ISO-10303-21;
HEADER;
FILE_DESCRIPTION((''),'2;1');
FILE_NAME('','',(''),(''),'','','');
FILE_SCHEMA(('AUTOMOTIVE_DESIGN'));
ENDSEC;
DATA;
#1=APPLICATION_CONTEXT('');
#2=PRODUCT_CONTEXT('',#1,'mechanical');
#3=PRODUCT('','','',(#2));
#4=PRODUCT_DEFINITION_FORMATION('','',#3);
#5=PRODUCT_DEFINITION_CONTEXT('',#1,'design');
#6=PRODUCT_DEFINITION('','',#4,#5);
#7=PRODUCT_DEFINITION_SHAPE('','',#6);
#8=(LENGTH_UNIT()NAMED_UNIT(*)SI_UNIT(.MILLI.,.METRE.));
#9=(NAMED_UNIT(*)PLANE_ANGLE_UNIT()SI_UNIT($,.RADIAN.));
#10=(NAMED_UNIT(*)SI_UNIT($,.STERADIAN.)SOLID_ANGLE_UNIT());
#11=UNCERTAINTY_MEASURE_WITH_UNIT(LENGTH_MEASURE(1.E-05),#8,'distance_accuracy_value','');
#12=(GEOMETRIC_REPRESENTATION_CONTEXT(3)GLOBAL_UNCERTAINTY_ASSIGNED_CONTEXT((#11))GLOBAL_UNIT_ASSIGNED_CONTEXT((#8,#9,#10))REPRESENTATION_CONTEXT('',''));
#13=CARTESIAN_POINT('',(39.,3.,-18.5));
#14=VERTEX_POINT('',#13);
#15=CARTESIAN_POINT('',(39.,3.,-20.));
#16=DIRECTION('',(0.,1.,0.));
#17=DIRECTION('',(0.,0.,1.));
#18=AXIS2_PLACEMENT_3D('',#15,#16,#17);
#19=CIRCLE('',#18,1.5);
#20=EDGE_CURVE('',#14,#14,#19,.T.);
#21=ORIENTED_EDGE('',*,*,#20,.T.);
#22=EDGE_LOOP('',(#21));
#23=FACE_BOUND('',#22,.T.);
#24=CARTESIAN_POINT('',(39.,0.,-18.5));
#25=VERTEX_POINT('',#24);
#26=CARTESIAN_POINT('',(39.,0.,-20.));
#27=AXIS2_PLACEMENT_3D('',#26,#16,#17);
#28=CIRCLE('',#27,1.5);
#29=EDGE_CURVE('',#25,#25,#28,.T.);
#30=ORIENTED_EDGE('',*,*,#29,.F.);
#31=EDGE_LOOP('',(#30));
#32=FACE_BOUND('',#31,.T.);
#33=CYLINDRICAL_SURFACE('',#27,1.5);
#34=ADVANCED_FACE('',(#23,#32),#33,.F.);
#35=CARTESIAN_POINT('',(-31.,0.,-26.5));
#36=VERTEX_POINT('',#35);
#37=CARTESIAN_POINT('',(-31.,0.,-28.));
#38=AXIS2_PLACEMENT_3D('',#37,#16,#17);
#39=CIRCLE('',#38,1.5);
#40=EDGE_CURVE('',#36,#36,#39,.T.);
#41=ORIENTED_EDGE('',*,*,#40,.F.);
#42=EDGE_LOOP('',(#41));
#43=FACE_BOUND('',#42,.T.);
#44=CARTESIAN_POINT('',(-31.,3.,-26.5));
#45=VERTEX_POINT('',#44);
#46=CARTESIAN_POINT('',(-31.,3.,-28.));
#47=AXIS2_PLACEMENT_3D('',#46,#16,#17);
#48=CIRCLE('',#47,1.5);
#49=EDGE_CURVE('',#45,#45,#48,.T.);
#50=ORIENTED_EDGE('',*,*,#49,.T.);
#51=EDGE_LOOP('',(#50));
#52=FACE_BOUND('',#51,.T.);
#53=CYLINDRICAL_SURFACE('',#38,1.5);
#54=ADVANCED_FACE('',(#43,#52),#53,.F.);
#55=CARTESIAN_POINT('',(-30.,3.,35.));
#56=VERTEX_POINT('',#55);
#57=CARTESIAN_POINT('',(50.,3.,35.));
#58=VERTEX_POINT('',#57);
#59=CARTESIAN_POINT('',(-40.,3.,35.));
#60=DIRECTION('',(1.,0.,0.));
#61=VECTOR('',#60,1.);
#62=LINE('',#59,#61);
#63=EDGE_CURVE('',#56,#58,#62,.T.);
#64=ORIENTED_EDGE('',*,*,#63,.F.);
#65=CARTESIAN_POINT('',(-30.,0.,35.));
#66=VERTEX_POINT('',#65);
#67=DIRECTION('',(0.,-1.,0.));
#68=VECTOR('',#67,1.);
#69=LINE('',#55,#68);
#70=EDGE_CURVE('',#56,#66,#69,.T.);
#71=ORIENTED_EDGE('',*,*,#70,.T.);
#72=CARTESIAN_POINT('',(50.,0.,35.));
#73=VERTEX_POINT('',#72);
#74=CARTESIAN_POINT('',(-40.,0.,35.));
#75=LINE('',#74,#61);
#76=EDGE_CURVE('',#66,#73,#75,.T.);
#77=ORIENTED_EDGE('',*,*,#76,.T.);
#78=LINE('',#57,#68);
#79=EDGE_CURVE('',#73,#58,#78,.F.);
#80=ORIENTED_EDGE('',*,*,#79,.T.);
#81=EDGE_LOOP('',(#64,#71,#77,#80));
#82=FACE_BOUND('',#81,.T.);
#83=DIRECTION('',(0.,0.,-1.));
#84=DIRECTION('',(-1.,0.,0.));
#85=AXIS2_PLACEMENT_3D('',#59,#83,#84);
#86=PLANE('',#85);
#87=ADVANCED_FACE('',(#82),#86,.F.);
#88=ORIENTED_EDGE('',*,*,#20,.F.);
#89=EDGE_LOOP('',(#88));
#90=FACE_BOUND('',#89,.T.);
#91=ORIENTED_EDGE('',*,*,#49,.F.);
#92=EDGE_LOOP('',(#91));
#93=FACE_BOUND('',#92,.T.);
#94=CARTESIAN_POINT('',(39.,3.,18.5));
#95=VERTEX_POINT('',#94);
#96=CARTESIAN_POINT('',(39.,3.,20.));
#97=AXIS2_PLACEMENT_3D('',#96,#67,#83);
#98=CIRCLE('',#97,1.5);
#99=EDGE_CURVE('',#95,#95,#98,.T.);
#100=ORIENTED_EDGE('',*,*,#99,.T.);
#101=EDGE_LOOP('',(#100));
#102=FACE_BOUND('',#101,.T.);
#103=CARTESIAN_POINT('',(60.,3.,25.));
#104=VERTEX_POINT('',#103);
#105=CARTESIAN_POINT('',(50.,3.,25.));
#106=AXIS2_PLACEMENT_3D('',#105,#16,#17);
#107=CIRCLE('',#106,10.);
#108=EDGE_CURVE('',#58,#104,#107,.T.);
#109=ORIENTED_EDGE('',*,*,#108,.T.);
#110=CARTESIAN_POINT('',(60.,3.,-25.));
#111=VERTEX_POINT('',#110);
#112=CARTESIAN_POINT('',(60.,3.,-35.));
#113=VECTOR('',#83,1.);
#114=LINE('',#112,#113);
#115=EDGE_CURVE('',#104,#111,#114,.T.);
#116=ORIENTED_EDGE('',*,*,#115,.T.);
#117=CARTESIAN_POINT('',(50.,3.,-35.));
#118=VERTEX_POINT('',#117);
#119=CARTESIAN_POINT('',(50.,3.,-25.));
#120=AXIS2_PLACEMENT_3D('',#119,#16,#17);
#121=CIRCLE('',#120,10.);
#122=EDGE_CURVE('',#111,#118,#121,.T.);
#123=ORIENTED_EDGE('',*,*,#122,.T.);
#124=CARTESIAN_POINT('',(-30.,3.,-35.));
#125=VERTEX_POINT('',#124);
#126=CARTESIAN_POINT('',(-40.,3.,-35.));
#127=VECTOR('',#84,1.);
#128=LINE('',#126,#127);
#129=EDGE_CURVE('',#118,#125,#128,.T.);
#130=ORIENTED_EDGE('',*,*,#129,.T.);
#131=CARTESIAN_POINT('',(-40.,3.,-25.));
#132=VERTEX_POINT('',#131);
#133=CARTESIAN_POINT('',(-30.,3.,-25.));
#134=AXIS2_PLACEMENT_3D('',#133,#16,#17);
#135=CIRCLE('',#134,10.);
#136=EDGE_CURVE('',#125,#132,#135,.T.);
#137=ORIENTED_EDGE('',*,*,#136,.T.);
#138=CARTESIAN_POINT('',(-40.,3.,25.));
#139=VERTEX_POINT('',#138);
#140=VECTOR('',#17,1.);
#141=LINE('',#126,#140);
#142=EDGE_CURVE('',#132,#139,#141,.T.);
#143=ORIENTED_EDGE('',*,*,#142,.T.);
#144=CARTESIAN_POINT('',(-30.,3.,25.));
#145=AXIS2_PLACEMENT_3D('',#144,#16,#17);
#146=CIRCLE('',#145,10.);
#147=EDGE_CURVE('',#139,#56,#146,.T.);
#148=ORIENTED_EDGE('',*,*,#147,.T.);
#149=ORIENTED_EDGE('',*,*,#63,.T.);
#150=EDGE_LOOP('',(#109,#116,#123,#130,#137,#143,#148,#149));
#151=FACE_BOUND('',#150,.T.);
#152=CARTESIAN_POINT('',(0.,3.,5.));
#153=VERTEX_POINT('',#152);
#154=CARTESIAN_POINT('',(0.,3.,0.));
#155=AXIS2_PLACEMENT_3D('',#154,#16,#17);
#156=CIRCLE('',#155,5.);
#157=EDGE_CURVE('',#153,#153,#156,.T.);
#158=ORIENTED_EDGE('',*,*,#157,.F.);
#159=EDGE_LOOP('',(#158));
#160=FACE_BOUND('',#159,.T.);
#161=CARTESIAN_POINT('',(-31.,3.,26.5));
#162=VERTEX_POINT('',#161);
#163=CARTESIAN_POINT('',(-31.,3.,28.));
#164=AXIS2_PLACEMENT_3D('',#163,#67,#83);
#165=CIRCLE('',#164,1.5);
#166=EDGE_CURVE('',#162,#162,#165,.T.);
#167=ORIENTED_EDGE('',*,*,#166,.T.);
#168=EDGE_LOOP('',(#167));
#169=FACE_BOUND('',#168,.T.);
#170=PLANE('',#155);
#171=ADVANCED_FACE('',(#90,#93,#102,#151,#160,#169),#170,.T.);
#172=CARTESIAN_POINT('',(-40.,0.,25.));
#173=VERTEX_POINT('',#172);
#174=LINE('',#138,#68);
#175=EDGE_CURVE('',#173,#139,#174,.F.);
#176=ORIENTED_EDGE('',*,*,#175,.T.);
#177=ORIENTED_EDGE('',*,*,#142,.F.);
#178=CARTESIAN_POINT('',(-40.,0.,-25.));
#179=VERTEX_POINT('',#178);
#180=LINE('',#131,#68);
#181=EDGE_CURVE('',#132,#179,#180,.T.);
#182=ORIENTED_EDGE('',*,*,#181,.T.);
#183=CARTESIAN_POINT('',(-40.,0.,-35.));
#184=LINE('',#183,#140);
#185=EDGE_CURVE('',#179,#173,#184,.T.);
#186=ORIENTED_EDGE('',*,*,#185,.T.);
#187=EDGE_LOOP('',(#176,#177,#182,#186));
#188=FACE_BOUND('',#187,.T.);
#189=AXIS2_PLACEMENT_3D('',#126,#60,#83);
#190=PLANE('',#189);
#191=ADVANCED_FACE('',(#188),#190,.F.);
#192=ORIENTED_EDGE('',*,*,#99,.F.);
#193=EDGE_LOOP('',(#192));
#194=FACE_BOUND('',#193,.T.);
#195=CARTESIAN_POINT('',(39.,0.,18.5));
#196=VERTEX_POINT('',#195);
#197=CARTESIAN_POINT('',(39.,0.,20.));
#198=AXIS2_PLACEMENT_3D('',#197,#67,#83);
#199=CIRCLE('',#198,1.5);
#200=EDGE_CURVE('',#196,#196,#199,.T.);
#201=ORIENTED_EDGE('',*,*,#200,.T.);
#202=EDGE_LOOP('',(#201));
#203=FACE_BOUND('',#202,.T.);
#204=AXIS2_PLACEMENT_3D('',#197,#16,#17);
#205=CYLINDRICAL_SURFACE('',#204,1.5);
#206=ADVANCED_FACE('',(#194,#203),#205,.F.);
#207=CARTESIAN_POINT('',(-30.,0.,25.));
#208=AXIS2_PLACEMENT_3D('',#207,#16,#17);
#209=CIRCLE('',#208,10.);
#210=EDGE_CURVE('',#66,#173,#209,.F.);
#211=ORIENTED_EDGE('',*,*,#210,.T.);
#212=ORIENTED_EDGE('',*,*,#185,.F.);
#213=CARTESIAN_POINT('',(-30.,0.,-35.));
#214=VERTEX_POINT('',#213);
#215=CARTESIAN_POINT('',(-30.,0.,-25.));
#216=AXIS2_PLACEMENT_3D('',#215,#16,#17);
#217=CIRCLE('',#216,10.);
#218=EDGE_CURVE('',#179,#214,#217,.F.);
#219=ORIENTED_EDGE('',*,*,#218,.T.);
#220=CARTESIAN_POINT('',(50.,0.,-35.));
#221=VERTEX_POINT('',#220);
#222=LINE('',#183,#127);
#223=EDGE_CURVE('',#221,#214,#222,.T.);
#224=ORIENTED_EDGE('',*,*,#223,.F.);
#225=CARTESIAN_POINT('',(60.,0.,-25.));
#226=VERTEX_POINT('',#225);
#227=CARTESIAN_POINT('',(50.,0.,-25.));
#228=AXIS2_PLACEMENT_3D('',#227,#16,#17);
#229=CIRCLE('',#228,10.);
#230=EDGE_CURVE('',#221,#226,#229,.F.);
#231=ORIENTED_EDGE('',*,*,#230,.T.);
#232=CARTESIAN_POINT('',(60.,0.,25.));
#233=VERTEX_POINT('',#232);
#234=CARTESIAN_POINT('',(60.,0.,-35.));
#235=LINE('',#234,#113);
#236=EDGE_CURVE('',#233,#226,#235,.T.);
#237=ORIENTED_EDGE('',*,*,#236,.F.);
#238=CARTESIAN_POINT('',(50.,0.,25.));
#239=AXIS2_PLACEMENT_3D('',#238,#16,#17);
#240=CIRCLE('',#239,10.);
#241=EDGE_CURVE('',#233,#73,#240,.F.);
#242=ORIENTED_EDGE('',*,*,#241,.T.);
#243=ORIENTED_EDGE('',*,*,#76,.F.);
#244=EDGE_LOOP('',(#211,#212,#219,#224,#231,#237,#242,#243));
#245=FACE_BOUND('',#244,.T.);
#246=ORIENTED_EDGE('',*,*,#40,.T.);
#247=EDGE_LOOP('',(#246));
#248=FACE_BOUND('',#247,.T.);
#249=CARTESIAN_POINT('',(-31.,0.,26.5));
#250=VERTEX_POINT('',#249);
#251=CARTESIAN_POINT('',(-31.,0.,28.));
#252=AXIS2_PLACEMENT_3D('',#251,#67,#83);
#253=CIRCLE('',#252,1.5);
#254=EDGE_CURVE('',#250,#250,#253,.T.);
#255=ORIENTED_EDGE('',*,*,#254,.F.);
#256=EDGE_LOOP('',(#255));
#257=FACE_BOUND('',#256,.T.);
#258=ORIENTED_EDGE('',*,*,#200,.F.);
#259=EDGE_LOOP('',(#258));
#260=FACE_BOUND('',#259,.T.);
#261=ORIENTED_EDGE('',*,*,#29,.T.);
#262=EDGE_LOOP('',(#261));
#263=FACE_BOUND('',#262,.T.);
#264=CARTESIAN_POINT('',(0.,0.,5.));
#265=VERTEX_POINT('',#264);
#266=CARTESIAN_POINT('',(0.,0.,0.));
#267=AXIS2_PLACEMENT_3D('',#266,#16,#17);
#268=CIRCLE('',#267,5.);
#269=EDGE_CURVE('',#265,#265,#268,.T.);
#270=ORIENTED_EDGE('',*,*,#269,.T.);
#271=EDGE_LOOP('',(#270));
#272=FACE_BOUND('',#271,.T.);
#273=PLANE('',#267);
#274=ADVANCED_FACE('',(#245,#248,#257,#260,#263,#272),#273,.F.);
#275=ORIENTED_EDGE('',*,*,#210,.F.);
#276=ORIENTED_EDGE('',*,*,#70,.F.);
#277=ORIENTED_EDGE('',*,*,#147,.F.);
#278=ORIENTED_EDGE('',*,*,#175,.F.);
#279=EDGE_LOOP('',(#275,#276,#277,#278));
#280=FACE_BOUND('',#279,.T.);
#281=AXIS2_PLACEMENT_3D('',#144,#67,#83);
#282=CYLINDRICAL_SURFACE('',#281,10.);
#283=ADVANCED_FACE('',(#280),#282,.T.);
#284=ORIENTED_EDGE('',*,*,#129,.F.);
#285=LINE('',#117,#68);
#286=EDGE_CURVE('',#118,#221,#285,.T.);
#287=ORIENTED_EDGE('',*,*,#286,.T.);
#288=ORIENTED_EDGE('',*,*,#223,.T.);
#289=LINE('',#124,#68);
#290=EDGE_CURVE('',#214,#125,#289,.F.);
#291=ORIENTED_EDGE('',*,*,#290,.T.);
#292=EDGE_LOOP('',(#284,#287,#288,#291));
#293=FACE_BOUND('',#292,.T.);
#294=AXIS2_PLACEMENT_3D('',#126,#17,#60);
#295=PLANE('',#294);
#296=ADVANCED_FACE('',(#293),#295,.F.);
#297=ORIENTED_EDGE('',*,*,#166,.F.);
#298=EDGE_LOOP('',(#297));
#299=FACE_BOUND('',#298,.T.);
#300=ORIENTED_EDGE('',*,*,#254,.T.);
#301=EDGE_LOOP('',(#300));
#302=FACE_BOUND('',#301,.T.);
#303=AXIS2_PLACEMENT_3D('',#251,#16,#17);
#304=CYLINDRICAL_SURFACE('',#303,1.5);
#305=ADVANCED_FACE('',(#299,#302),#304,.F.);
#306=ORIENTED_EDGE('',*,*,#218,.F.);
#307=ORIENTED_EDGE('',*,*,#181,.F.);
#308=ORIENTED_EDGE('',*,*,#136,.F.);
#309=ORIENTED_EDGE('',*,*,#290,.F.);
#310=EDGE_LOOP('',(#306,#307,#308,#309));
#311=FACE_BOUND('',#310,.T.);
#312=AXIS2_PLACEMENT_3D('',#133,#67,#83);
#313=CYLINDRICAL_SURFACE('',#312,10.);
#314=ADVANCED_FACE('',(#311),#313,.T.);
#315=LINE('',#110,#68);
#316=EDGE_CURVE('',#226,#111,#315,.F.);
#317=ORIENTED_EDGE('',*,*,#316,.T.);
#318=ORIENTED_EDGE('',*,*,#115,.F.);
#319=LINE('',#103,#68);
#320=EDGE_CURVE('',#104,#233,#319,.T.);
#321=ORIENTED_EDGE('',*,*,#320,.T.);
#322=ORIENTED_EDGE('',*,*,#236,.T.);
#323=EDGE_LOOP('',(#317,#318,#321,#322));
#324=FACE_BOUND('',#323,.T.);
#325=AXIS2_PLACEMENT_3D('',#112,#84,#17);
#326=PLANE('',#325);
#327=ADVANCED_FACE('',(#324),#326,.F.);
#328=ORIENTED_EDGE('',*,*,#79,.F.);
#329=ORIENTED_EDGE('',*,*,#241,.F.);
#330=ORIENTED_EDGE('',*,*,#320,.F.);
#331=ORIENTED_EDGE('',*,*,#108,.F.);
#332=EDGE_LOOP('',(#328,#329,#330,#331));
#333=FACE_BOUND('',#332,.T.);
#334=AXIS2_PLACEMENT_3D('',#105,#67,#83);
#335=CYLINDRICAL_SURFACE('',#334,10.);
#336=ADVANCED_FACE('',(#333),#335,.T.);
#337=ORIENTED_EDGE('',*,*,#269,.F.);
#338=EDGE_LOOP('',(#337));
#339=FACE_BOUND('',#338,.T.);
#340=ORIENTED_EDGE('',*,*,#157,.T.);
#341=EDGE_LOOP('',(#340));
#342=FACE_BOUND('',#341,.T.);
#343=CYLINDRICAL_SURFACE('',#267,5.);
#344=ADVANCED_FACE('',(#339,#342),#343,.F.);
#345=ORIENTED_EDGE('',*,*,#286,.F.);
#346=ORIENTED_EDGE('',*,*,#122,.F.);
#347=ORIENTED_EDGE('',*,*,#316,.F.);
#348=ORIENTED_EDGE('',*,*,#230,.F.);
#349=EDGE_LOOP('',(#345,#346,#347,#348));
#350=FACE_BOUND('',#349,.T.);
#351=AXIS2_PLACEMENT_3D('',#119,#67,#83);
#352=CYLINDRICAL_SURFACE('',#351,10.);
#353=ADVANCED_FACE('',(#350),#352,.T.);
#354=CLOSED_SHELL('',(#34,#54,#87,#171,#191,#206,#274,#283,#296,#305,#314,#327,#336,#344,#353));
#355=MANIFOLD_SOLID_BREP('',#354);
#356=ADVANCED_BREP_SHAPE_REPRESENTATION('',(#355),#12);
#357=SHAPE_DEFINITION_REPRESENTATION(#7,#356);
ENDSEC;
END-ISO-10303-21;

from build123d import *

# Parameters (mm, degrees)
SKETCH_1_W          = 100
SKETCH_1_H          = 70
EXTRUDE_1_DEPTH     = 3
FILLET_1_R          = 10
SKETCH_2_R          = 5
CUT_EXTRUDE_1_DEPTH = 70.526973183
SKETCH_3_R          = 1.5
CUT_EXTRUDE_2_DEPTH = 70.526973183


with BuildPart() as part:
    # 草图1 → 凸台-拉伸1 (new body)
    with BuildSketch(Plane(origin=(0, 0, 0), x_dir=(1, 0, 0), z_dir=(0, 1, 0))):
        with Locations((10, 0)):
            Rectangle(SKETCH_1_W, SKETCH_1_H)
    extrude(amount=EXTRUDE_1_DEPTH)

    # 圆角1
    fillet_1_edges = [part.edges().sort_by_distance(p)[0] for p in [
        (-40, 1.5, -35),
        (60, 1.5, -35),
        (60, 1.5, 35),
        (-40, 1.5, 35),
    ]]
    fillet(fillet_1_edges, radius=FILLET_1_R)

    # 草图2 → 切除-拉伸1 (cut, through all)
    with BuildSketch(Plane(origin=(0, 3, 0), x_dir=(1, 0, 0), z_dir=(0, 1, 0))):
        with Locations(Location((0, 0, 0), (0, 0, 270))):
            Circle(SKETCH_2_R)
    extrude(amount=-CUT_EXTRUDE_1_DEPTH, mode=Mode.SUBTRACT)

    # 草图3 → 切除-拉伸2 (cut, through all)
    with BuildSketch(Plane(origin=(0, 3, 0), x_dir=(1, 0, 0), z_dir=(0, 1, 0))):
        with Locations(Location((-31, 28, 0), (0, 0, 270))):
            Circle(SKETCH_3_R)
        with Locations(Location((39, 20, 0), (0, 0, 270))):
            Circle(SKETCH_3_R)
    cut_extrude_2 = extrude(amount=-CUT_EXTRUDE_2_DEPTH, mode=Mode.SUBTRACT)

    # 镜向1: 切除-拉伸2 across plane
    add(cut_extrude_2.mirror(Plane.XY), mode=Mode.SUBTRACT)


solid = part.part
